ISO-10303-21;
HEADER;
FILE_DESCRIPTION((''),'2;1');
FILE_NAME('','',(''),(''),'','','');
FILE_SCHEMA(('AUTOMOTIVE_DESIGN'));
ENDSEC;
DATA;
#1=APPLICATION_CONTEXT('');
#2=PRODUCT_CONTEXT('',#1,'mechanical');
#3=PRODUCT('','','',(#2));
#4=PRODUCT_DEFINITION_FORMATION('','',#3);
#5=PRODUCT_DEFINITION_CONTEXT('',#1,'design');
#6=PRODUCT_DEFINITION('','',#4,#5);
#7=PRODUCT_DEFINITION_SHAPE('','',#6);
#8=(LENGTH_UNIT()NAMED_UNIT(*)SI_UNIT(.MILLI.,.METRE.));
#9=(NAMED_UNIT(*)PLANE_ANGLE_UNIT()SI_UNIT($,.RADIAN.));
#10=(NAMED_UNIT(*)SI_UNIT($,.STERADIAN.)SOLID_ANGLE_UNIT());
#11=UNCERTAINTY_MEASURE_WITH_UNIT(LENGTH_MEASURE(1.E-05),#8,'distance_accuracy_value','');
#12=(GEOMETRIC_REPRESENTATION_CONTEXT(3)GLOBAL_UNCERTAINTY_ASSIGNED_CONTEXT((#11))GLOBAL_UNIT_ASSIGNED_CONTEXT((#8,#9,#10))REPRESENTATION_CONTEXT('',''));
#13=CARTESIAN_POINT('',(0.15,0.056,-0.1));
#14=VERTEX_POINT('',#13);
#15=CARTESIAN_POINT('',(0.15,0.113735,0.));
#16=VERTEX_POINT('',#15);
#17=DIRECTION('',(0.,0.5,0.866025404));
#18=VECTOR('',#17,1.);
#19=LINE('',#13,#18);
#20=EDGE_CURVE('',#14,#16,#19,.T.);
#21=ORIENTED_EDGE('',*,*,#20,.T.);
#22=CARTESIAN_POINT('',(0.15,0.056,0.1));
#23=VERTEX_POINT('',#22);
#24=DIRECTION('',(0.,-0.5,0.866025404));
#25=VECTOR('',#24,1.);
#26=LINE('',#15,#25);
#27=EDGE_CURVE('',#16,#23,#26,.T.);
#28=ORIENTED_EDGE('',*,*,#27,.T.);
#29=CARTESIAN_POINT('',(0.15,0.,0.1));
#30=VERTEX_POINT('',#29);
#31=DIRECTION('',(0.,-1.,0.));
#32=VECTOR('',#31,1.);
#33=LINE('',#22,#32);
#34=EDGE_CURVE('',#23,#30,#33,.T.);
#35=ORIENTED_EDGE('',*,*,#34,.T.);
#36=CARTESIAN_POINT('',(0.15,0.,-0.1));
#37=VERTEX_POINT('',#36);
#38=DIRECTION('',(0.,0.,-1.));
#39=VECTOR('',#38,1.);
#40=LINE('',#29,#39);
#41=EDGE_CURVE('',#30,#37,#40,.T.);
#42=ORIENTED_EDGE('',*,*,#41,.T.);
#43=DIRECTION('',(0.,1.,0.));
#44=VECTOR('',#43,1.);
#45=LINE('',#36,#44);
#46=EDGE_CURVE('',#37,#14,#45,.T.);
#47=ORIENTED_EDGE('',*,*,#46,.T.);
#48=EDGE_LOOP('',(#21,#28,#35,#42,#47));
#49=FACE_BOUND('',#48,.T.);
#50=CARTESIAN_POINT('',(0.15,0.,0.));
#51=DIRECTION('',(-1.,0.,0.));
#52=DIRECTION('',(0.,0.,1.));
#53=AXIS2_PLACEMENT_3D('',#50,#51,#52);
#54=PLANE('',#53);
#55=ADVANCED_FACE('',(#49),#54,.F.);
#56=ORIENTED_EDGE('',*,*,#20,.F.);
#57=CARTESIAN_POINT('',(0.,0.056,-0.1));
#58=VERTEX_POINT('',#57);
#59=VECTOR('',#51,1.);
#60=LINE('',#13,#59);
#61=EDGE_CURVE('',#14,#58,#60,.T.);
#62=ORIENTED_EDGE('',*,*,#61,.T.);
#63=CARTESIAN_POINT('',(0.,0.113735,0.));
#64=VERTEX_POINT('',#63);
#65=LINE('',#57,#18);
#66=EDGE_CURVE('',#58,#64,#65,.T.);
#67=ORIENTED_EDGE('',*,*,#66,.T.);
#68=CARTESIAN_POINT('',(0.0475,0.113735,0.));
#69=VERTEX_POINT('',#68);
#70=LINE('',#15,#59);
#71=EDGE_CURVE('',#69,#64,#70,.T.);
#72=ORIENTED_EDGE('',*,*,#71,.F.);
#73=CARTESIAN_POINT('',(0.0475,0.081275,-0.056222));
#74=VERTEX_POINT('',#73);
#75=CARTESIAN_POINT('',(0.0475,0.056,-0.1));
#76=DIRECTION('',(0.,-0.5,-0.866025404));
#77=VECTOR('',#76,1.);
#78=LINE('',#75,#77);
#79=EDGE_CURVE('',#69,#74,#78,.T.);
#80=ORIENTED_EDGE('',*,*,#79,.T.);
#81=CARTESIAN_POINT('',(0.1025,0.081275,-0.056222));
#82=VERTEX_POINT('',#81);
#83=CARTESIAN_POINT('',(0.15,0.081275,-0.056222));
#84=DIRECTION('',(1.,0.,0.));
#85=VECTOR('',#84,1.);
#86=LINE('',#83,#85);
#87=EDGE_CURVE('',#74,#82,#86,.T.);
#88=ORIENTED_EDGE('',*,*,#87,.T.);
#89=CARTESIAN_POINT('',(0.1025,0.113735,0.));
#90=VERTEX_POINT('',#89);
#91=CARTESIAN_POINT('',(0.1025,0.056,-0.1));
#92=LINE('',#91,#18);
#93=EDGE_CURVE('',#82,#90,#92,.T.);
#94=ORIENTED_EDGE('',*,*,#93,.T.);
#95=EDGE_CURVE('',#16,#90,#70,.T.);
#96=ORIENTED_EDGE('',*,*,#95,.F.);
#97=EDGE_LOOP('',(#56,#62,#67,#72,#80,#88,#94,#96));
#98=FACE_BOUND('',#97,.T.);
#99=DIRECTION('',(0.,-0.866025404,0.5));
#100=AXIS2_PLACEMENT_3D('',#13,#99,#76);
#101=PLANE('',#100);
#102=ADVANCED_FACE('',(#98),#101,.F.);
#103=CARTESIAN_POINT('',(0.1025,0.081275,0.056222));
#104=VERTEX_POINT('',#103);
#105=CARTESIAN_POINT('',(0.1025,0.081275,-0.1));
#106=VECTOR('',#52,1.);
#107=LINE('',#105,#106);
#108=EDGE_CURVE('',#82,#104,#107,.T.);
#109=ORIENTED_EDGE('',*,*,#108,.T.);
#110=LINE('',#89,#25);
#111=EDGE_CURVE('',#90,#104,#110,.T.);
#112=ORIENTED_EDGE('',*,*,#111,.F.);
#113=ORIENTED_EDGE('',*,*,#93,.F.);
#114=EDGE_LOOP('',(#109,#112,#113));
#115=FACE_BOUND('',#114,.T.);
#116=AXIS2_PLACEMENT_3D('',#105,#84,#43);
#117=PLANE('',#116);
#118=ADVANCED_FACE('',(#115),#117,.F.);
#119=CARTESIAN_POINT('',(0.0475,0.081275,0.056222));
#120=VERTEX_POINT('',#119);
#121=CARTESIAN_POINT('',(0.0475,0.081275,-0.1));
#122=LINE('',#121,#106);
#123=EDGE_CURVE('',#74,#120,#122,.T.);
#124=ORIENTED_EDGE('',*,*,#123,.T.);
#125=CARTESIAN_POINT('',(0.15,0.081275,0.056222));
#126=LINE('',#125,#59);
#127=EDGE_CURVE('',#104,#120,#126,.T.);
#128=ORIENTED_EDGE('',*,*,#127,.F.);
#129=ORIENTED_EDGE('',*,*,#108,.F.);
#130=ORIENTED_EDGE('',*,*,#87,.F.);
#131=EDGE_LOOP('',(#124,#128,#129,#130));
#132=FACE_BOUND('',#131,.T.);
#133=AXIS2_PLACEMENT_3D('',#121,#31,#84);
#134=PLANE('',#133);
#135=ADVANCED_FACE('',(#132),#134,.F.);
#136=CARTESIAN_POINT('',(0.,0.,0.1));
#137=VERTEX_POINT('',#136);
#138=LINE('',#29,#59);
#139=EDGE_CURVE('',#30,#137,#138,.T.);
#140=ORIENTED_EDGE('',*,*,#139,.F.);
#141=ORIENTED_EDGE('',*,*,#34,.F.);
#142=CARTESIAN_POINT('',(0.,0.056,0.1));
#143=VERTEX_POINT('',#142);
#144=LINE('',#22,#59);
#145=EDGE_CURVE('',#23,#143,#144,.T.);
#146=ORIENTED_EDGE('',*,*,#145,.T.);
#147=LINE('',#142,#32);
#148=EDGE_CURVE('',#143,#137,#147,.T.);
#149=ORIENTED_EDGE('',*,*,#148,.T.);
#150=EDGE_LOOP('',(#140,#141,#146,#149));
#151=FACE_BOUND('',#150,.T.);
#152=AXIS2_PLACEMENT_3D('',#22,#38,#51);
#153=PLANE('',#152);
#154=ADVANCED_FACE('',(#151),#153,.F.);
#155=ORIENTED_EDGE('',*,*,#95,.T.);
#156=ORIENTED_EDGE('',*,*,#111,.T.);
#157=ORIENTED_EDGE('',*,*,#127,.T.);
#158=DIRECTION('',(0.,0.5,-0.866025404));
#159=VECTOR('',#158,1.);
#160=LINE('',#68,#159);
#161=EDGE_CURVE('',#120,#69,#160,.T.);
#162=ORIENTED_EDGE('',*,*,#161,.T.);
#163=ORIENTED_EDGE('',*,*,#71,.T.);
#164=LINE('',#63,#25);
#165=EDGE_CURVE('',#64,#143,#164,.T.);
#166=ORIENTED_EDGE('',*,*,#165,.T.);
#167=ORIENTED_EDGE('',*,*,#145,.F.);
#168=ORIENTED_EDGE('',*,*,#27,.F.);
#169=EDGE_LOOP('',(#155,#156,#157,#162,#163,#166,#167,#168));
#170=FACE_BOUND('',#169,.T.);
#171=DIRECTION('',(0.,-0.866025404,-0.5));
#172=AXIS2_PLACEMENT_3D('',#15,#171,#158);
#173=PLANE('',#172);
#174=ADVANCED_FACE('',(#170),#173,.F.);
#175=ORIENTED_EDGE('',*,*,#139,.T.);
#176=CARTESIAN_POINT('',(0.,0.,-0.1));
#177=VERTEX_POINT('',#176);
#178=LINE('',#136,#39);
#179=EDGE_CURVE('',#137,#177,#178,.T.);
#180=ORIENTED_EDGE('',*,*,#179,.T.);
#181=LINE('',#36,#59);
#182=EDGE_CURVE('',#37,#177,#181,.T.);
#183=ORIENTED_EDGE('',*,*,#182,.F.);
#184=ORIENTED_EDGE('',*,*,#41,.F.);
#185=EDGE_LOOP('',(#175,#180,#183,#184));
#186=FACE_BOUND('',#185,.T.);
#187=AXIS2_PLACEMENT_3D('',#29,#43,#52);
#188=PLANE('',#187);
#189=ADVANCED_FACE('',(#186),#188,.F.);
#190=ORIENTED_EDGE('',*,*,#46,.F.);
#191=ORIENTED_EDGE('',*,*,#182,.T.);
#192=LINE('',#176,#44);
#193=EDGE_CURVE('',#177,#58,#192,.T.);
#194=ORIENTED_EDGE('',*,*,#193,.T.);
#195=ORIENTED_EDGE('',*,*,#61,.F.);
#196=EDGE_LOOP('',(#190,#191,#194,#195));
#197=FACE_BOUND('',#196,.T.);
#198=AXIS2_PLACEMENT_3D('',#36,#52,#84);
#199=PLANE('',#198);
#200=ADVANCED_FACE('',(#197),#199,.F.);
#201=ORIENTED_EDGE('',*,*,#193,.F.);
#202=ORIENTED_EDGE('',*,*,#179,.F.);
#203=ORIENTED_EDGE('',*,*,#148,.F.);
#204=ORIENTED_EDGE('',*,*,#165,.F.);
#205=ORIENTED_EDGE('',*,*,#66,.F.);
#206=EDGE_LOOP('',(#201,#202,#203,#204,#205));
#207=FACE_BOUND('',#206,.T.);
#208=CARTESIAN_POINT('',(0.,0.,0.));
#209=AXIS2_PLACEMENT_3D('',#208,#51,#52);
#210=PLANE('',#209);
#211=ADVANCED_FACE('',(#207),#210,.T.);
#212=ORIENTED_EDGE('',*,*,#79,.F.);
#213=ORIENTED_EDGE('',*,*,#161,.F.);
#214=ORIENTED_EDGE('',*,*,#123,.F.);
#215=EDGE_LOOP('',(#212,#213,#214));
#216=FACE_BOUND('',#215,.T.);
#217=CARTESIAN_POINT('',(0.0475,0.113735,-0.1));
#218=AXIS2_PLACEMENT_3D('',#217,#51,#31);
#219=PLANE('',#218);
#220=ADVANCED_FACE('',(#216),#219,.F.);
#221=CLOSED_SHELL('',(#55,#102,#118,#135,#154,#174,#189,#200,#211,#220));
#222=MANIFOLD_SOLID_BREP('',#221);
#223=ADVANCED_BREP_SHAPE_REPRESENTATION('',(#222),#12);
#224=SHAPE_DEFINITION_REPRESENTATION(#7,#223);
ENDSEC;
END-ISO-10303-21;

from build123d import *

# Parameters (mm, degrees)
BOSS_EXTRUDE1_DEPTH     = 0.15
SKETCH2_W               = 0.055
SKETCH2_H               = 0.03246
CUT_EXTRUDE1_DEPTH      = 1.1
CUT_EXTRUDE1_DEPTH_BACK = 1.1


with BuildPart() as part:
    # Sketch1 → Boss-Extrude1 (new body)
    with BuildSketch(Plane(origin=(0, 0, 0), x_dir=(0, 0, -1), z_dir=(1, 0, 0))):
        Polygon((0.1, 0.056), (0, 0.113735027), (-0.1, 0.056), (-0.1, 0), (0.1, 0), align=None)
    extrude(amount=BOSS_EXTRUDE1_DEPTH)

    # Sketch2 → Cut-Extrude1 (cut, two sides)
    with BuildSketch(Plane.XY) as cut_extrude1_sk:
        with Locations((0.075, 0.097505027)):
            Rectangle(SKETCH2_W, SKETCH2_H)
    extrude(amount=CUT_EXTRUDE1_DEPTH, mode=Mode.SUBTRACT)
    extrude(cut_extrude1_sk.sketch, amount=-CUT_EXTRUDE1_DEPTH_BACK, mode=Mode.SUBTRACT)


solid = part.part
